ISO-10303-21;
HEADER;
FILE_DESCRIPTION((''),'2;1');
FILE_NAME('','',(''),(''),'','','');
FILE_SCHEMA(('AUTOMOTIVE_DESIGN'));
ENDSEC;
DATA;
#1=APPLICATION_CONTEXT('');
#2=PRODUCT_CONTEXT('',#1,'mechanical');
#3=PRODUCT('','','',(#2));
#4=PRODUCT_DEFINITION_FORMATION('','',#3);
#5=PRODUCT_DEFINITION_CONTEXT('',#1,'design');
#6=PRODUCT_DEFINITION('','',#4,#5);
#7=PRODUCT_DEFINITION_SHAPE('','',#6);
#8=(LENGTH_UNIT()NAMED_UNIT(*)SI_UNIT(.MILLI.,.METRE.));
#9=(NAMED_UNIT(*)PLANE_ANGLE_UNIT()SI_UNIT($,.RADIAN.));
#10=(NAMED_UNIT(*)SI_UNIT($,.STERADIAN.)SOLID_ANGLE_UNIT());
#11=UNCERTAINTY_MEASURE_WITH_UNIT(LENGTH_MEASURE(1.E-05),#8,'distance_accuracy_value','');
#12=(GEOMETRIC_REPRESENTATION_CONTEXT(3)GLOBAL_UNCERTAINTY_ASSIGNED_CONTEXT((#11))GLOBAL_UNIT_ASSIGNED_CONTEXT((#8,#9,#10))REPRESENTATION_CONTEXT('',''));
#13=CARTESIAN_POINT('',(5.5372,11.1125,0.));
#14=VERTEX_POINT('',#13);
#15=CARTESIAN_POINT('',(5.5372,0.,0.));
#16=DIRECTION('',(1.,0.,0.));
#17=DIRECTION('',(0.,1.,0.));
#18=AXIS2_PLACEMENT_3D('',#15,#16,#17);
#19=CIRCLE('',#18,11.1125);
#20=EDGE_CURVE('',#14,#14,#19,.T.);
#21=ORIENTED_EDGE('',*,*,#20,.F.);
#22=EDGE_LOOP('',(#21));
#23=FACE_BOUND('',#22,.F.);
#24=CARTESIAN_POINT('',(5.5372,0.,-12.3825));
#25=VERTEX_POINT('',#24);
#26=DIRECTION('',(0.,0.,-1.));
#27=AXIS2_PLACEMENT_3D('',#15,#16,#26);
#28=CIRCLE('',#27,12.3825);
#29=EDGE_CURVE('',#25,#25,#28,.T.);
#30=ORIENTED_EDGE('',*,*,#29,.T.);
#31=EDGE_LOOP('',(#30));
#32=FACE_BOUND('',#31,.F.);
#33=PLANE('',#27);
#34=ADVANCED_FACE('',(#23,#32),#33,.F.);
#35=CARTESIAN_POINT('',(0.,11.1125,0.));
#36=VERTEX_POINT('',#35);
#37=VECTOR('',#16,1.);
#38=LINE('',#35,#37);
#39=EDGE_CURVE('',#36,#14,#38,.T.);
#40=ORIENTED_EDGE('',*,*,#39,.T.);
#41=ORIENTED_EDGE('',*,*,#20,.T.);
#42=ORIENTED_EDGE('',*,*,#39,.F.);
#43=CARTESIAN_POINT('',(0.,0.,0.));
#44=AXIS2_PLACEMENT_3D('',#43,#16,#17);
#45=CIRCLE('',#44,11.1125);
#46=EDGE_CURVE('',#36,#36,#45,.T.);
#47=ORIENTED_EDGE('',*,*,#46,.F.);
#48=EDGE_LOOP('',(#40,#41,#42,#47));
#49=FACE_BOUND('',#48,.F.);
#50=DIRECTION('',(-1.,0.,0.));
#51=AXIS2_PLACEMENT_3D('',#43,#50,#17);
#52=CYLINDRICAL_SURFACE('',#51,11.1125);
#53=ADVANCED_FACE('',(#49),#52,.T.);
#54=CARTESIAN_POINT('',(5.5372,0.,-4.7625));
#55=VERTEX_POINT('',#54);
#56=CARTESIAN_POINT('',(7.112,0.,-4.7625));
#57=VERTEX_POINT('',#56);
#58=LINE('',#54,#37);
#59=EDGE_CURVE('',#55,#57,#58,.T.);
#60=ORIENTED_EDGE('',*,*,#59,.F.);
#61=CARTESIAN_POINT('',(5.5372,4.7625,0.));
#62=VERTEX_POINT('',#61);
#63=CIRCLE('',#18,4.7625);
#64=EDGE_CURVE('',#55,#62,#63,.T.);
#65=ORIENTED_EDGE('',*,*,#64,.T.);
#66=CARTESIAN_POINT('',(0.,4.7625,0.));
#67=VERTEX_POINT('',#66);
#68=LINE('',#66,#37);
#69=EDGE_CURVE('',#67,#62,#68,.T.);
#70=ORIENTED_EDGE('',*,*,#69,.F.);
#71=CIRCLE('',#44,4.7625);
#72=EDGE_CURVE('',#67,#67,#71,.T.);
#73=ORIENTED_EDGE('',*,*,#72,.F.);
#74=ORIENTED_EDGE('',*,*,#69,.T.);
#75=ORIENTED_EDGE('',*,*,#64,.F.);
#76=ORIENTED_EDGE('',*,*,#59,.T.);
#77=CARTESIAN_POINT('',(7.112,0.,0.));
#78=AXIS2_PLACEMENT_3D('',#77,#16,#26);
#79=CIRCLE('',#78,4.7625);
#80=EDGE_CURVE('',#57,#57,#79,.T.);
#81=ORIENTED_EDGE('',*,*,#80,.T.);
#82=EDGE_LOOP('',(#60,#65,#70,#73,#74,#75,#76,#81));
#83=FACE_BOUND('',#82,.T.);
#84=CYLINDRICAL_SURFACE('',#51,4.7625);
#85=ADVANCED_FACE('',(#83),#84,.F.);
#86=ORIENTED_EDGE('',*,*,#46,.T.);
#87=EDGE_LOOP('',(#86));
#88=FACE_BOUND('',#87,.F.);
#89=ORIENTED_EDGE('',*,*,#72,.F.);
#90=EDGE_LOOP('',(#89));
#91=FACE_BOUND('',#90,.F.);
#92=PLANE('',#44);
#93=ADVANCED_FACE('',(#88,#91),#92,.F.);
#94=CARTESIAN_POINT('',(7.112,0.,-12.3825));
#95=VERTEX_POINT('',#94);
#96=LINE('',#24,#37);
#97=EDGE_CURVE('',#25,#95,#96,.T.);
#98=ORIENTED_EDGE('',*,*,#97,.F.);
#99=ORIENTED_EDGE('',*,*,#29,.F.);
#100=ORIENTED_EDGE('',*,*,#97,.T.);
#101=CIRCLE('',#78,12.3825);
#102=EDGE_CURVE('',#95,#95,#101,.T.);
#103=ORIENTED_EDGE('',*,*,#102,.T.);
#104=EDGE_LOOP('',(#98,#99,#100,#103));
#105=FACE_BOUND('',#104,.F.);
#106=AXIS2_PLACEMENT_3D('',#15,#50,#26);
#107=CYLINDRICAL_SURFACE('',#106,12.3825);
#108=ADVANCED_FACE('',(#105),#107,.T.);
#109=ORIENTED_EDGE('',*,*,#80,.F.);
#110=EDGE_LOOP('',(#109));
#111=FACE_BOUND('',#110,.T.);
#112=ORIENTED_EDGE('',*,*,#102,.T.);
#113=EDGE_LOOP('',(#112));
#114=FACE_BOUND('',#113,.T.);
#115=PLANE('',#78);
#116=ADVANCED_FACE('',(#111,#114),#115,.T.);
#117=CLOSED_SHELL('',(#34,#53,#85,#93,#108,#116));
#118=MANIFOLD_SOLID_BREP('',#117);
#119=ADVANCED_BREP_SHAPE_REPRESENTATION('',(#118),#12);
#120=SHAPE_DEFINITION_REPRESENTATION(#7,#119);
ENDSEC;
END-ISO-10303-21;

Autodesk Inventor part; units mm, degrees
ref_plane "YZ Plane" through (0, 0, 0) normal (1, 0, 0) x (0, 1, 0)
ref_plane "XZ Plane" through (0, 0, 0) normal (0, 1, 0) x (-1, 0, 0)
ref_plane "XY Plane" through (0, 0, 0) normal (0, 0, 1) x (1, 0, 0)
sketch "Sketch1" plane through (0, 0, 0) normal (1, 0, 0) x (0, 1, 0)
  circle A0 centre (0, 0) radius 4.7625
  circle A1 centre (0, 0) radius 11.1125
  dimension "d0" = 9.525
  dimension "d1" = 22.225
extrude "Extrusion1" add sketch "Sketch1" along normal blind 5.5372
sketch "Sketch2" plane through (5.5372, 0, 0) normal (1, 0, 0) x (0, 0, -1)
  circle A0 centre (0, 0) radius 4.7625 projected
  circle A1 centre (0, 0) radius 12.3825
  dimension "d4" = 24.765
extrude "Extrusion2" add sketch "Sketch2" along normal blind 1.5748
properties part number ".375 bearing"
